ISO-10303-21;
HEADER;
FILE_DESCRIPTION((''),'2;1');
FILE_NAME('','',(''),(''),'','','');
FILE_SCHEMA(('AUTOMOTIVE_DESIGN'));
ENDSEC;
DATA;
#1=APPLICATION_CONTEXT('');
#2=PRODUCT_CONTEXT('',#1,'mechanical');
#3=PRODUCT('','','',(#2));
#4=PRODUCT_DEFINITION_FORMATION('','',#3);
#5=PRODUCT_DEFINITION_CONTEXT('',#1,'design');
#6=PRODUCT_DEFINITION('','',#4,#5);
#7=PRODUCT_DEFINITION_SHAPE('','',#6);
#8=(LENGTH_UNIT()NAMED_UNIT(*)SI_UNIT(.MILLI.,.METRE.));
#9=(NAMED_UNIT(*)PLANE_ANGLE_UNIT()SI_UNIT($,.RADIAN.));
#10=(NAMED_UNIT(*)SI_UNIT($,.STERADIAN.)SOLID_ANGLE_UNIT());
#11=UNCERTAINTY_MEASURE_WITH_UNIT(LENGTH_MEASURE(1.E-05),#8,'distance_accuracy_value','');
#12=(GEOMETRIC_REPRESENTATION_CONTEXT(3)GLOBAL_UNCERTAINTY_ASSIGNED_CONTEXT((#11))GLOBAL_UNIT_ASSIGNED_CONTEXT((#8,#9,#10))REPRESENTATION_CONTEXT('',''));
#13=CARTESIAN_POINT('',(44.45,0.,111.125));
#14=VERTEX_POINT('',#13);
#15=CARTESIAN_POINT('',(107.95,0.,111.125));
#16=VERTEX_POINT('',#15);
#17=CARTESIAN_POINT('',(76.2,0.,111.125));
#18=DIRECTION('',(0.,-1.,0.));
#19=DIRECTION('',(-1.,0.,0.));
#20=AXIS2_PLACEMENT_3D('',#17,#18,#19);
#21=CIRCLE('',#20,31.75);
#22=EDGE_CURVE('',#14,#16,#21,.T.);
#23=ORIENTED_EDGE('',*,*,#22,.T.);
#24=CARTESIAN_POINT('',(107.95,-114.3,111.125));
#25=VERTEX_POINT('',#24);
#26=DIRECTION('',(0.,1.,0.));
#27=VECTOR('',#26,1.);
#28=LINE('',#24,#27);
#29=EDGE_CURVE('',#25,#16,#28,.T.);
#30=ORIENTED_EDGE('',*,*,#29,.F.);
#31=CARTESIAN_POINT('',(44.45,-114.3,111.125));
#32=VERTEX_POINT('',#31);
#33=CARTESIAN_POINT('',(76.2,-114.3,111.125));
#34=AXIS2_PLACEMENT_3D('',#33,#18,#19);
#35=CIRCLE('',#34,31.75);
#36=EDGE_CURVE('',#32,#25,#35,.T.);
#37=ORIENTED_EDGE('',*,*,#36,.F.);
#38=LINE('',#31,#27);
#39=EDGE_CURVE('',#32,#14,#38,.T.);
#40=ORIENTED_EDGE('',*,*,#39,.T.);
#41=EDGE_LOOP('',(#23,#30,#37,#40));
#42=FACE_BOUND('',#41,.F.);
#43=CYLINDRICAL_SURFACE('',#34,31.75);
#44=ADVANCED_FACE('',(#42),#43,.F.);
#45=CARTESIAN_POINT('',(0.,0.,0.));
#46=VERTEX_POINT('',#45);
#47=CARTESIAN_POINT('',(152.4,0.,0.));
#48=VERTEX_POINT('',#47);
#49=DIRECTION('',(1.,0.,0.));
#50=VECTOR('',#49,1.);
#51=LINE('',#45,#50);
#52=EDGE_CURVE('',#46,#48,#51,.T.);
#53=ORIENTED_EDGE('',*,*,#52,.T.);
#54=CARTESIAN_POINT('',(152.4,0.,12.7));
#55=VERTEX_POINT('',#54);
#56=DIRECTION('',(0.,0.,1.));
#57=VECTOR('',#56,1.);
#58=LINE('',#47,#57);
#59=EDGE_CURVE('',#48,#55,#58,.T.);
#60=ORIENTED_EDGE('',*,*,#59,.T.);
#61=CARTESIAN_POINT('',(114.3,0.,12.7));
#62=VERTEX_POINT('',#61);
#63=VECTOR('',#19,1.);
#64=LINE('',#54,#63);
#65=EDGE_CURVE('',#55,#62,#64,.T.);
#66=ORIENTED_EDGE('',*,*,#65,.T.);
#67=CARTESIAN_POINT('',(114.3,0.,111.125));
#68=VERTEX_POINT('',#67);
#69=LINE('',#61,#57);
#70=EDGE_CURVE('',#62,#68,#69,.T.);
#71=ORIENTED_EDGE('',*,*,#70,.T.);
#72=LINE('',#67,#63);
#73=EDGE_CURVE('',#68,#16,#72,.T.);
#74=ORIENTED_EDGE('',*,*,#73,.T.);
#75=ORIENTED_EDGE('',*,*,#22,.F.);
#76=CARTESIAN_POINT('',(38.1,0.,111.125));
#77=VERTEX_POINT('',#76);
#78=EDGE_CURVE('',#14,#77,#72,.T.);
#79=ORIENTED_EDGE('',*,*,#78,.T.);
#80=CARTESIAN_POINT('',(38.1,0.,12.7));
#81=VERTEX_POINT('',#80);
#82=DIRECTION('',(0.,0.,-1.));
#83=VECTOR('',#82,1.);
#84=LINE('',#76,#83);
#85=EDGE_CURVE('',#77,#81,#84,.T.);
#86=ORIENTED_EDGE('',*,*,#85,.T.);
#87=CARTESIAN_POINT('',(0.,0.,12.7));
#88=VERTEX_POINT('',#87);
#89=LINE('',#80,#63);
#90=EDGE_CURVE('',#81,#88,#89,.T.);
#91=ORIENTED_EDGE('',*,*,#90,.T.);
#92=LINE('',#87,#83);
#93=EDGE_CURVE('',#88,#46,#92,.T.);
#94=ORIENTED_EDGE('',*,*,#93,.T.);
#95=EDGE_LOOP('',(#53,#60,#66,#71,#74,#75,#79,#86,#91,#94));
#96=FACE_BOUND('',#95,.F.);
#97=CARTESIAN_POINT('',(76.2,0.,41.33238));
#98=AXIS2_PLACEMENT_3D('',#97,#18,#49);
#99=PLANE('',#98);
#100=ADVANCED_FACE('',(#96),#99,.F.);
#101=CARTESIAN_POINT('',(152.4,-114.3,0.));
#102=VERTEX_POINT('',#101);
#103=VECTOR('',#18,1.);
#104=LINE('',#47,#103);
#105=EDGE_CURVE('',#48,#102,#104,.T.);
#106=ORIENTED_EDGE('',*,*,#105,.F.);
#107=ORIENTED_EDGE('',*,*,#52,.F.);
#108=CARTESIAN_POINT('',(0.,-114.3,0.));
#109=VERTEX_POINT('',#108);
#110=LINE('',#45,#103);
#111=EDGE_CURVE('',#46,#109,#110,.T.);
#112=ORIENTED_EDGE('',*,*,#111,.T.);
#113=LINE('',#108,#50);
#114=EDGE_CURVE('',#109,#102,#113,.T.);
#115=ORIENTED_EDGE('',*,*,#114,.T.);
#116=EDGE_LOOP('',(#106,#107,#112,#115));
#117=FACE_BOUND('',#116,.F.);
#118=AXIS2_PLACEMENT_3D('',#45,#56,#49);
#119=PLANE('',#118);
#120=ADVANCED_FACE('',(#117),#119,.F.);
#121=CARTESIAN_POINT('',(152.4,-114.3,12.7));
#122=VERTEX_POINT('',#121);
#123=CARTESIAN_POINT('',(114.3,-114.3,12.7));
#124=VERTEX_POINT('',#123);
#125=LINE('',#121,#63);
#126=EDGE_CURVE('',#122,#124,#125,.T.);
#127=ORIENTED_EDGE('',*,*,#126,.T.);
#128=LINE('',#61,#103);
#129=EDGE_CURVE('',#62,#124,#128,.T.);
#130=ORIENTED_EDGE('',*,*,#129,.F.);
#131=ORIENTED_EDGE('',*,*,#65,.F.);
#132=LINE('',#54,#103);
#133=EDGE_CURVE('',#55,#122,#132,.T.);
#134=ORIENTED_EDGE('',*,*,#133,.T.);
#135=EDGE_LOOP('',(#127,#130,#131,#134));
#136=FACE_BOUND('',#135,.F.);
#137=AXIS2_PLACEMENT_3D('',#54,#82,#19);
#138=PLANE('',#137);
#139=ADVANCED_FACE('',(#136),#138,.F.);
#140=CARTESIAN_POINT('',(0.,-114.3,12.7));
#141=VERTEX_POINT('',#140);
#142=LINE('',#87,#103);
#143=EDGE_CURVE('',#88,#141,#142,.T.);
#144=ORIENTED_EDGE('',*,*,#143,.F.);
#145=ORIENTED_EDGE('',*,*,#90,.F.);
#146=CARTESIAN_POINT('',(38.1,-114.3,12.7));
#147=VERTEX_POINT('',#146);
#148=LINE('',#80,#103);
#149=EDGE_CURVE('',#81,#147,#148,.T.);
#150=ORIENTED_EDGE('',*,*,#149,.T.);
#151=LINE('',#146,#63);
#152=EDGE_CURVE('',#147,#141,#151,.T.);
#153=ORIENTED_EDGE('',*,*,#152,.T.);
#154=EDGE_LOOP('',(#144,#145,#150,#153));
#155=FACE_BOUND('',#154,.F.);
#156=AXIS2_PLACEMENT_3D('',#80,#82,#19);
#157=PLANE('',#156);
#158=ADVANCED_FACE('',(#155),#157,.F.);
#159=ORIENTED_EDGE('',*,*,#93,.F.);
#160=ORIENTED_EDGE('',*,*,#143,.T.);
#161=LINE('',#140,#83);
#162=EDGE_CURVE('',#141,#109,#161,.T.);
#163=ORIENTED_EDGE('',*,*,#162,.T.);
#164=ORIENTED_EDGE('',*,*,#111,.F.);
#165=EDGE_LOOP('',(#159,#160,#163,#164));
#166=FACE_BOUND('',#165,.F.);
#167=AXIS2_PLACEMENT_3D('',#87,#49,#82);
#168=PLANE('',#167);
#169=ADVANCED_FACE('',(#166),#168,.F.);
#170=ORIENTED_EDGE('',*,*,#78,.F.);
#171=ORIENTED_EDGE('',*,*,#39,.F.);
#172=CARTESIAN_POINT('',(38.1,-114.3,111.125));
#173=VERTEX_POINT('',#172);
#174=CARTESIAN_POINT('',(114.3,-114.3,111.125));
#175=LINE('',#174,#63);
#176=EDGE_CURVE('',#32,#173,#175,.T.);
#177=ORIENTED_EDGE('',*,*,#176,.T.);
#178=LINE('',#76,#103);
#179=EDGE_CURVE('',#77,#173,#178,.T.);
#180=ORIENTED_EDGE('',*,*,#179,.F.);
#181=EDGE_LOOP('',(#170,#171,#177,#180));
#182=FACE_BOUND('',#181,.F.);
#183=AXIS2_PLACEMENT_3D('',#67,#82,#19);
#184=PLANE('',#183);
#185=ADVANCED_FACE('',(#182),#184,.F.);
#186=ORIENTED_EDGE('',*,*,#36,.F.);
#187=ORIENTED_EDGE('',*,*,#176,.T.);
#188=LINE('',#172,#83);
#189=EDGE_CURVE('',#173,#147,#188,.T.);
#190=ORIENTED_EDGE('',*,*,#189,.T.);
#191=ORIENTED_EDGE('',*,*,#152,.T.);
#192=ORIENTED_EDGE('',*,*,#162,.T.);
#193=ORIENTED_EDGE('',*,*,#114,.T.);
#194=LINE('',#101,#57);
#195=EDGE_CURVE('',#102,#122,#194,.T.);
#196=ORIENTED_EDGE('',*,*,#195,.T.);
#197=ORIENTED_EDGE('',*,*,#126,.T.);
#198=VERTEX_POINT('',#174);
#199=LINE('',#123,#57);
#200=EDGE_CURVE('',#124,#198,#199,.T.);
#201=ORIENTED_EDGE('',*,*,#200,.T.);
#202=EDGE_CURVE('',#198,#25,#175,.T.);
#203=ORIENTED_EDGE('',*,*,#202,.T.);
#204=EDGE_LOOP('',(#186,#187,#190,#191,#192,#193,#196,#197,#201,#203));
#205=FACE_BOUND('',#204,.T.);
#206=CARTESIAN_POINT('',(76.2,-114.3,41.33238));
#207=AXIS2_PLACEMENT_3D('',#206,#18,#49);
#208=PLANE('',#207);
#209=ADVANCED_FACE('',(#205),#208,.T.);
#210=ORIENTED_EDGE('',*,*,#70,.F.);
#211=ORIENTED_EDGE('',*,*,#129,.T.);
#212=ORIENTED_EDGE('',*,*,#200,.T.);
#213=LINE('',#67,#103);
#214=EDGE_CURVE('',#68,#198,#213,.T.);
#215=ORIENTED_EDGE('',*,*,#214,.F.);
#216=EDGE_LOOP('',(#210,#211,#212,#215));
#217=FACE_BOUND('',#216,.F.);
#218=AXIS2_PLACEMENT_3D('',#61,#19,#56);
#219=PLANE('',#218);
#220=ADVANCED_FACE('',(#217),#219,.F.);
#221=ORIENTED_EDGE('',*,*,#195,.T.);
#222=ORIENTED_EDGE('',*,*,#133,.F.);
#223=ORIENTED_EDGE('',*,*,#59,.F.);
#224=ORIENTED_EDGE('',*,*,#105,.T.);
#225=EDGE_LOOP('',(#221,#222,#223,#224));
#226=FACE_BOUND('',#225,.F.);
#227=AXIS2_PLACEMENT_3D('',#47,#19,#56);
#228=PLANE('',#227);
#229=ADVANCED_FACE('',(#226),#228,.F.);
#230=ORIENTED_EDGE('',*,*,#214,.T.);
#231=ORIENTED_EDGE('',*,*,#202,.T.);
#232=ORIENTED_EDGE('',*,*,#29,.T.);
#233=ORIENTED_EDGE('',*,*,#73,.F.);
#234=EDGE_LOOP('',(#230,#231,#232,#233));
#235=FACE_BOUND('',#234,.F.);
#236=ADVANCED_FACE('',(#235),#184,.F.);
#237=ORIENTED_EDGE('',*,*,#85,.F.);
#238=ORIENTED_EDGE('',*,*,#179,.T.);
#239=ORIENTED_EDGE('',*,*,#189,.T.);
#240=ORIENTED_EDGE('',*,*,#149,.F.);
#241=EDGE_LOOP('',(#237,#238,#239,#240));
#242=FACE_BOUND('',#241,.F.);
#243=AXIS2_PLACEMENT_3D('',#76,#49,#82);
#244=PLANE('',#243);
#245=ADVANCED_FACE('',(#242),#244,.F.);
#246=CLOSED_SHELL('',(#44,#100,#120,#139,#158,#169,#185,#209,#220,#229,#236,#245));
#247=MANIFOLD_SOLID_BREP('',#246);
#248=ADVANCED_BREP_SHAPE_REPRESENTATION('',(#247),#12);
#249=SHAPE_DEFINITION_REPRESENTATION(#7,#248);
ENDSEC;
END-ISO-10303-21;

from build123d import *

# Parameters (mm, degrees)
F1_DEPTH = 114.3
F3_DEPTH = 114.301


with BuildPart() as f1:
    # F0 (on Front) → F1 (new body)
    with BuildSketch(Plane.XZ):
        Polygon((0, 12.7), (0, 0), (152.4, 0), (152.4, 12.7), (114.3, 12.7), (114.3, 111.125), (38.1, 111.125), (38.1, 12.7), align=None)
    extrude(amount=F1_DEPTH)

    # F2 (on face) → F3 (cut, through all)
    with BuildSketch(Plane.XZ.offset(114.3)):
        with BuildLine():
            Line((107.95, 111.125), (44.45, 111.125))
            ThreePointArc((44.45, 111.125), (76.2, 79.375), (107.95, 111.125))
        make_face()
    extrude(amount=-F3_DEPTH, mode=Mode.SUBTRACT)


solid = f1.part
